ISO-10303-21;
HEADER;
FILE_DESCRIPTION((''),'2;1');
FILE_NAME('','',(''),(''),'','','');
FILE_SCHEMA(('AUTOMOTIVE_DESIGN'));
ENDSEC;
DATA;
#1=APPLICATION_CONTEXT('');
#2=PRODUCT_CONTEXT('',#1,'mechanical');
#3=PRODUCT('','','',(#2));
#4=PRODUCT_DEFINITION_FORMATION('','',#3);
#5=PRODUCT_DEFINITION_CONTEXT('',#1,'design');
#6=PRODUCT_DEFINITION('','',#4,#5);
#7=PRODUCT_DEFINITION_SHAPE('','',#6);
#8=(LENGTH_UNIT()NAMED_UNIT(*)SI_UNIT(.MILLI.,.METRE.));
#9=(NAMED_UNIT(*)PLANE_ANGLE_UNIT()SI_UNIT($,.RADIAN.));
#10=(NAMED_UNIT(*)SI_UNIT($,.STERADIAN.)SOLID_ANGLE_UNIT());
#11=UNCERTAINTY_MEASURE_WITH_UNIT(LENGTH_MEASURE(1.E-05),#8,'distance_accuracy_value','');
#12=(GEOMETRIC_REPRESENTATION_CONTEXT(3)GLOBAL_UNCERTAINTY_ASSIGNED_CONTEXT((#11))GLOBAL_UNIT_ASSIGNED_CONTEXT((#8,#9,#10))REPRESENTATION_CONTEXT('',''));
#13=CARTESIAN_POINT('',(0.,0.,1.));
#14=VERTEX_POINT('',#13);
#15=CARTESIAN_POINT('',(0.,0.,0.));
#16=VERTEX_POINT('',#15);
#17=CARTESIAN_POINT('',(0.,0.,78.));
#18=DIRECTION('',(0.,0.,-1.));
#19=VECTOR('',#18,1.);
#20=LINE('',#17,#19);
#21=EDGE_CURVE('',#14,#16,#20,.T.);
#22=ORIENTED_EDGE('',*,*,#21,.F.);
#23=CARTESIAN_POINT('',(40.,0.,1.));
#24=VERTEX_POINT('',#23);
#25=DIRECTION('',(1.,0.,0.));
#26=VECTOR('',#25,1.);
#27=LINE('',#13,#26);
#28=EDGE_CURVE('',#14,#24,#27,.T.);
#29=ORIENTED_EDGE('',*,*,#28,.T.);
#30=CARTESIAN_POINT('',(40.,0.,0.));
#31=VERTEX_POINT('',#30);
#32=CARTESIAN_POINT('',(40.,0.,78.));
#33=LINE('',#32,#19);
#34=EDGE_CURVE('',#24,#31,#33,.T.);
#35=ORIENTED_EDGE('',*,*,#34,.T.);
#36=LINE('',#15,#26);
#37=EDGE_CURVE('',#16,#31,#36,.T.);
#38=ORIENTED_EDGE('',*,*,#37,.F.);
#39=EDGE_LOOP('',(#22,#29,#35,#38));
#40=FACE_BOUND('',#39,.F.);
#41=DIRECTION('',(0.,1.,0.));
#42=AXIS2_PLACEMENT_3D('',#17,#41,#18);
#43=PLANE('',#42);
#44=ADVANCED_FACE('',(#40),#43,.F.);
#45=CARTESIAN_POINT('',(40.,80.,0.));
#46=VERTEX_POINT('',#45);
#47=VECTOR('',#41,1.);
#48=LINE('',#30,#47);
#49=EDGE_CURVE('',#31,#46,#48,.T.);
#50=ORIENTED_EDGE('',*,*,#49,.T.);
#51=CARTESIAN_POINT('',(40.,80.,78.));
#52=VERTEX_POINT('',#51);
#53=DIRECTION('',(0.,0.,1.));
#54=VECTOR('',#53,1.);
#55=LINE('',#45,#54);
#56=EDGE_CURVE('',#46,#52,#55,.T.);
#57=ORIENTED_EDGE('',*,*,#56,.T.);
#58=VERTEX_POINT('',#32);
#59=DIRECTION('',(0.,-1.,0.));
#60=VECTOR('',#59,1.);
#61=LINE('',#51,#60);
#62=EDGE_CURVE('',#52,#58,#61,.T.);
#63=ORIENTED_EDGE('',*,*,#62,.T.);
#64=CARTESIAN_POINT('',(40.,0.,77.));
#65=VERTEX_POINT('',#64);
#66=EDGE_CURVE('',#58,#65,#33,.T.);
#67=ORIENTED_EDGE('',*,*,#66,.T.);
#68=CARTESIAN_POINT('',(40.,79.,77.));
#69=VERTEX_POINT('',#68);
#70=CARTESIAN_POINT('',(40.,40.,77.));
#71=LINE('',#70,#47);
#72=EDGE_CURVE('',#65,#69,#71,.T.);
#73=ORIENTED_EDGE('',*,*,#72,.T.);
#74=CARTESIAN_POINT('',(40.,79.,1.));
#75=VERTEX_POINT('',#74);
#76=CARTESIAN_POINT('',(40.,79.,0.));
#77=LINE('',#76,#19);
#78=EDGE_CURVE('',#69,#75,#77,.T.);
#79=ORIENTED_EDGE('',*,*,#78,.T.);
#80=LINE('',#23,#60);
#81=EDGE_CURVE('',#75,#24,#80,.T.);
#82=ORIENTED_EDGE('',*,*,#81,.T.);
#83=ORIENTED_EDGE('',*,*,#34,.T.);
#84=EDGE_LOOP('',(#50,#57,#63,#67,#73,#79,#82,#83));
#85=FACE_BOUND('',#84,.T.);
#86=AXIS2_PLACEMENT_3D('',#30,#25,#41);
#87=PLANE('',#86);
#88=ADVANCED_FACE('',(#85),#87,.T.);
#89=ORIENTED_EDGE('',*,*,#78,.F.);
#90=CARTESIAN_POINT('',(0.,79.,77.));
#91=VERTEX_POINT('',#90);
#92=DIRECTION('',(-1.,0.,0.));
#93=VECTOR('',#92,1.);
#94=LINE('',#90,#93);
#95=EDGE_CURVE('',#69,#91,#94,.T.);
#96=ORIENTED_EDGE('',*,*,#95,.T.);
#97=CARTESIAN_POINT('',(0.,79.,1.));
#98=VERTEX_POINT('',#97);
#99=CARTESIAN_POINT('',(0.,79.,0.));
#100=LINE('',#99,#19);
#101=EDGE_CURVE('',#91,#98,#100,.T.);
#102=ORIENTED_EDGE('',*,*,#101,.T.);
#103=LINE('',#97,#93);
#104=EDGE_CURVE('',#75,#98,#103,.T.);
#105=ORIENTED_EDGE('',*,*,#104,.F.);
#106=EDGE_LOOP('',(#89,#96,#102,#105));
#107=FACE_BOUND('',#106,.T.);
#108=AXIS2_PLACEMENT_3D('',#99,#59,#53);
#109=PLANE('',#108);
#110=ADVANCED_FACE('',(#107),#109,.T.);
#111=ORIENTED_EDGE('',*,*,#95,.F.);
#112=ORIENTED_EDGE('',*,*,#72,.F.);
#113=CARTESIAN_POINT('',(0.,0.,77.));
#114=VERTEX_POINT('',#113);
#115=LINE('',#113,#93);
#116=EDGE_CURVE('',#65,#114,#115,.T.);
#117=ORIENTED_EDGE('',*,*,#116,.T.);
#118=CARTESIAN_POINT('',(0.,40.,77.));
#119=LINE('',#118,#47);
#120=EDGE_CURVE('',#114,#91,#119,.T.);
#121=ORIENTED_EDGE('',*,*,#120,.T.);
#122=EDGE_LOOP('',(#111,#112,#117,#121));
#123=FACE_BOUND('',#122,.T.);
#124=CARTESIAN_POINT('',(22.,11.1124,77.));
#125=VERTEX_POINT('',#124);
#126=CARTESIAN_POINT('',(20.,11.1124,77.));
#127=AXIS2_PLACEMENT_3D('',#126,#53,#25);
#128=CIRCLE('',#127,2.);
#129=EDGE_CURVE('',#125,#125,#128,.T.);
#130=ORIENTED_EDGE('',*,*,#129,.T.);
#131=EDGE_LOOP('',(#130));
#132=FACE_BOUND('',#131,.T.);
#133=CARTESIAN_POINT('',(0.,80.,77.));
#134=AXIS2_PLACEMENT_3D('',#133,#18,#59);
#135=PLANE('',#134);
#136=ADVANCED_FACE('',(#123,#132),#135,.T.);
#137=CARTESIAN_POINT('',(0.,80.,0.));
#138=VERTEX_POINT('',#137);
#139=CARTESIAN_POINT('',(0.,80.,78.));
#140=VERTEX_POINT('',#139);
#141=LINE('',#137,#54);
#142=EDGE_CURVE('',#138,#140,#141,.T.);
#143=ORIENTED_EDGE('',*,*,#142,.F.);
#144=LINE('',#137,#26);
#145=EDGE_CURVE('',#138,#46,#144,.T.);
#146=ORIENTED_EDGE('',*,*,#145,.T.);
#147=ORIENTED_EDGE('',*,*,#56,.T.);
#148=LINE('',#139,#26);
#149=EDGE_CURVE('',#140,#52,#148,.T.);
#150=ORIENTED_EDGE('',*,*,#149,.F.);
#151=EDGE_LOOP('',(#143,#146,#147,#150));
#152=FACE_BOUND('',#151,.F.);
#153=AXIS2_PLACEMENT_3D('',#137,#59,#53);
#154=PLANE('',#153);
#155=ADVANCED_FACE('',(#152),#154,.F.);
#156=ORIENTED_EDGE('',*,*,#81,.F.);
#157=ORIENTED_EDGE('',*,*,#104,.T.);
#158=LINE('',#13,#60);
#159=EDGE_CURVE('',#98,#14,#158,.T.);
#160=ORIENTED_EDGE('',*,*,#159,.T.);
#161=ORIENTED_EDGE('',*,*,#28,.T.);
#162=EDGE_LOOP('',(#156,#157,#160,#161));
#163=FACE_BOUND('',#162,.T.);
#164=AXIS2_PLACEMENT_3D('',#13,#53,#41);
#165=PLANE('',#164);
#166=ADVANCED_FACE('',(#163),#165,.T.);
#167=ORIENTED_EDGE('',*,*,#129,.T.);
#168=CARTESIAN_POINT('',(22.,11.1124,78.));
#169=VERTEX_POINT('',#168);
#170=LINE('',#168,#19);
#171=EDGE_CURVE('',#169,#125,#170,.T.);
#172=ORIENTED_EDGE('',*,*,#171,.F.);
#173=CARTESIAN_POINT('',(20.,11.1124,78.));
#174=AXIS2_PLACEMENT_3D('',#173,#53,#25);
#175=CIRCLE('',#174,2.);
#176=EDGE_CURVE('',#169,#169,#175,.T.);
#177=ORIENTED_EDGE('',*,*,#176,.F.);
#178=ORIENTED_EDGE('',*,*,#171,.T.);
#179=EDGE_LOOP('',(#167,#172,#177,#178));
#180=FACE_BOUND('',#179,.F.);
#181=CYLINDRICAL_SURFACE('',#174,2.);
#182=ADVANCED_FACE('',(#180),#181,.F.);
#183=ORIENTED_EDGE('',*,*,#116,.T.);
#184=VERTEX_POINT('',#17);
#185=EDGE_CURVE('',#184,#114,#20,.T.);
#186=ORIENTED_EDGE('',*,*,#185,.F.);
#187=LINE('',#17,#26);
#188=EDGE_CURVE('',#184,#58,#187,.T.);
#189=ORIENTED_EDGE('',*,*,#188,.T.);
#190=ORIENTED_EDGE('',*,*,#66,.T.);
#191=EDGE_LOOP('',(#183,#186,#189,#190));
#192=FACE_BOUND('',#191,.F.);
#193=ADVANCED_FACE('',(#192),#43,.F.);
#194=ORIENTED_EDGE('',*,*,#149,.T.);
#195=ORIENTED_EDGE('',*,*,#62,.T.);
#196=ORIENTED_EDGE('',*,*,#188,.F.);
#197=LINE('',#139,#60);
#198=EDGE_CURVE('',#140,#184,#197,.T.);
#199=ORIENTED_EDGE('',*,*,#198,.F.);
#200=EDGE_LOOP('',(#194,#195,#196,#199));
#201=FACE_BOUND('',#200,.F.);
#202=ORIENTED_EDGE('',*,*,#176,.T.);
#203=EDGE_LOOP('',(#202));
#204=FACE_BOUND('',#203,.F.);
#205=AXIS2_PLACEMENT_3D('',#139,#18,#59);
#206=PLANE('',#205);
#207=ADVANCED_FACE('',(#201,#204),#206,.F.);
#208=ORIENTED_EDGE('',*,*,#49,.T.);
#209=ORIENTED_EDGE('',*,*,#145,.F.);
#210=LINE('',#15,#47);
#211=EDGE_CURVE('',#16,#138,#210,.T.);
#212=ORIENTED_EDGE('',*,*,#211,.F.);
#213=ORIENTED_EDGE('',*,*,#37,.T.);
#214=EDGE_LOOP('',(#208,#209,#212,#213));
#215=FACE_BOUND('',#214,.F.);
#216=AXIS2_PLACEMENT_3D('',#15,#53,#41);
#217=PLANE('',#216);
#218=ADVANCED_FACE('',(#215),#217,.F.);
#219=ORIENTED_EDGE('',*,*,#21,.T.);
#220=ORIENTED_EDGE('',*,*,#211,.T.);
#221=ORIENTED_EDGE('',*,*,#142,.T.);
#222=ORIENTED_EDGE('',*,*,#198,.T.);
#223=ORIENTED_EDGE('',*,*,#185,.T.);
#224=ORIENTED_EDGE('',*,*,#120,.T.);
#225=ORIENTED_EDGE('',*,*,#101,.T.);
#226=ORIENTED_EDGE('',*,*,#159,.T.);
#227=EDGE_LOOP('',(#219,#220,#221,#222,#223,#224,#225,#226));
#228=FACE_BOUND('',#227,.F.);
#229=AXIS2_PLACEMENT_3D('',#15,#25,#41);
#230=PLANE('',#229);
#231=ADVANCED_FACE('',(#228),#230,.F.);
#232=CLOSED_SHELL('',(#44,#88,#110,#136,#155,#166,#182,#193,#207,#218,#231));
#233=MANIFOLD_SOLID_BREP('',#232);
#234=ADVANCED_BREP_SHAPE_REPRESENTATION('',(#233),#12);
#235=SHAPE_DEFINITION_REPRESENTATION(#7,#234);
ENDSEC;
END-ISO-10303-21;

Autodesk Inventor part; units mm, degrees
ref_plane "YZ Plane" through (0, 0, 0) normal (1, 0, 0) x (0, 1, 0)
ref_plane "XZ Plane" through (0, 0, 0) normal (0, 1, 0) x (-1, 0, 0)
ref_plane "XY Plane" through (0, 0, 0) normal (0, 0, 1) x (1, 0, 0)
sketch "Sketch2" plane through (0, 0, 0) normal (1, 0, 0) x (0, 1, 0)
  line L0 (0, 0) -> (80, 0)
  line L1 (80, 0) -> (80, 78)
  line L2 (80, 78) -> (0, 78)
  line L3 (0, 78) -> (0, 0)
  dimension "d3" = 80
  dimension "d4" = 78
extrude "Extrusion2" add sketch "Sketch2" along normal blind 40
shell "Shell1" thickness 1 removed faces 3 at (13.3333, 0, 52) at (0, 26.6667, 52) at (40, 26.6667, 52)
sketch "Sketch3" plane through (0, 0, 78) normal (0, 0, 1) x (1, 0, 0)
  line L0 (0, 0) -> (40, 0) projected
  line L1 (0, 80) -> (40, 80) projected
  circle A0 centre (20, 11.1124) radius 2
  dimension "d8" = 4
extrude "Extrusion3" cut sketch "Sketch3" against normal blind 1
properties part number "MAN_BASIS_SECONDARY_STRUCTURE"
